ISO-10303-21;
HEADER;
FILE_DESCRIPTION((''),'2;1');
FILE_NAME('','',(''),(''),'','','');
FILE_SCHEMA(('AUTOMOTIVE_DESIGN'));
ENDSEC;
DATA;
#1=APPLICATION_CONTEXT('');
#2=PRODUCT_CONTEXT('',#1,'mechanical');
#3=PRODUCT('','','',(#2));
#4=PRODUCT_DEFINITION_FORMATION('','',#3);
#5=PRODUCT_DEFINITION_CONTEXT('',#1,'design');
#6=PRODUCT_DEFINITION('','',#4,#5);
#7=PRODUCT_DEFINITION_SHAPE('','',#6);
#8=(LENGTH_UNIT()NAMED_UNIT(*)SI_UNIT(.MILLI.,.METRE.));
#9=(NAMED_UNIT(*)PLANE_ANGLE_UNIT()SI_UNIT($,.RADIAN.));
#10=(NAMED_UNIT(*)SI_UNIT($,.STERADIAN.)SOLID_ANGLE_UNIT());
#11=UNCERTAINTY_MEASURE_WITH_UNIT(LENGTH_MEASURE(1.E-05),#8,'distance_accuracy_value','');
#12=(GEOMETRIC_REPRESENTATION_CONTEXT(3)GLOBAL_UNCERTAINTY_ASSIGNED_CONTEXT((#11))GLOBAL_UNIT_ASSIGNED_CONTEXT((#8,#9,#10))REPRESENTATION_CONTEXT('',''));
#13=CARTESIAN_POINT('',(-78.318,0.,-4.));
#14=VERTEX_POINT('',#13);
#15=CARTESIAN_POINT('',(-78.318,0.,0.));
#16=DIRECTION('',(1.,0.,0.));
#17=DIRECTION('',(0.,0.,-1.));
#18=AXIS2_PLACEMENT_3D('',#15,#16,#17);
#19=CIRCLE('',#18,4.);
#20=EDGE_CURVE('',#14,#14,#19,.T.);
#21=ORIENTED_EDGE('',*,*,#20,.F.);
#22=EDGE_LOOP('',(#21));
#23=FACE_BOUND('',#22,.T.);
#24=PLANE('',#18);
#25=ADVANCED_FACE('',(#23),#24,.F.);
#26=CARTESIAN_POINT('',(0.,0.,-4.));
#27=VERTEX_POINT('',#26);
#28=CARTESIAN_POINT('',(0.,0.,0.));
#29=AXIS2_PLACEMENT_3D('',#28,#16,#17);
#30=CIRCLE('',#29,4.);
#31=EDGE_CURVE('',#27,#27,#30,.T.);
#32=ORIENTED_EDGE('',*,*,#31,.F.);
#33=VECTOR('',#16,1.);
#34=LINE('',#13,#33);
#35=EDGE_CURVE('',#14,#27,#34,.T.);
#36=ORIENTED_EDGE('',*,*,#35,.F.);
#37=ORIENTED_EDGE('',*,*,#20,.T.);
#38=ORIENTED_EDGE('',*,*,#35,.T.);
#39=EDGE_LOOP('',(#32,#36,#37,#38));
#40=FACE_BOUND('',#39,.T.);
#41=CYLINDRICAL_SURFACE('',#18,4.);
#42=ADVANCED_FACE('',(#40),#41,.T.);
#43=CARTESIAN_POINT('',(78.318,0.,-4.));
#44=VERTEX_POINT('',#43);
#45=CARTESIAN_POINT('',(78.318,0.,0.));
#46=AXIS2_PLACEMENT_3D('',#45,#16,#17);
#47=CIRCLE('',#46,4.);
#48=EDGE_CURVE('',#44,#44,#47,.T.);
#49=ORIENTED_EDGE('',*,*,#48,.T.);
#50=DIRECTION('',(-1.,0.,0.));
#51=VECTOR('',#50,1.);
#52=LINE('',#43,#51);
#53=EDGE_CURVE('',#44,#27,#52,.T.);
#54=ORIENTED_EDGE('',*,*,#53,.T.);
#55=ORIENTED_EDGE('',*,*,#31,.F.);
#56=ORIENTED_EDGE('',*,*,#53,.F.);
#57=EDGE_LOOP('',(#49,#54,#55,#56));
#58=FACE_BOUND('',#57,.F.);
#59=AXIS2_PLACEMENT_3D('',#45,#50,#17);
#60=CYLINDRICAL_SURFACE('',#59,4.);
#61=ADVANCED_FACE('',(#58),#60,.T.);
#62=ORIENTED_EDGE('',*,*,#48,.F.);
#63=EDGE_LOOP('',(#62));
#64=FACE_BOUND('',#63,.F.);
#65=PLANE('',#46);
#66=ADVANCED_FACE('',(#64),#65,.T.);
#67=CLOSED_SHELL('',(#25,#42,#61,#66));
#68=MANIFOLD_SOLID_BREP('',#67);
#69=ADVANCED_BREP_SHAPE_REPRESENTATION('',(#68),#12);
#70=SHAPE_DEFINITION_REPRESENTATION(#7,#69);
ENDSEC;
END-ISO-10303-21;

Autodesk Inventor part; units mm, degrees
ref_plane "YZ Plane" through (0, 0, 0) normal (1, 0, 0) x (0, 1, 0)
ref_plane "XZ Plane" through (0, 0, 0) normal (0, 1, 0) x (-1, 0, 0)
ref_plane "XY Plane" through (0, 0, 0) normal (0, 0, 1) x (1, 0, 0)
sketch "Эскиз1" plane through (0, 0, 0) normal (0, 1, 0) x (-1, 0, 0)
  line L0 (-78.318, 0) -> (-78.318, -4)
  line L1 (-78.318, -4) -> (0, -4)
  line L2 (0, -21.8023) -> (0, 10.3406) construction
  line L3 (78.318, 0) -> (78.318, -4)
  line L4 (78.318, -4) -> (0, -4)
  line L5 (8.4814, 0) -> (-19.0918, 0) construction
  line L6 (78.318, 0) -> (-78.318, 0)
  point P0 (0, 0)
  dimension "d0" = 78.318
  dimension "d1" = 4
revolve "Вращение1" add sketch "Эскиз1" angle 360 about axis through (-8.4814, 0, 0) along (1, 0, 0)
properties part number "Вал движения головы"
